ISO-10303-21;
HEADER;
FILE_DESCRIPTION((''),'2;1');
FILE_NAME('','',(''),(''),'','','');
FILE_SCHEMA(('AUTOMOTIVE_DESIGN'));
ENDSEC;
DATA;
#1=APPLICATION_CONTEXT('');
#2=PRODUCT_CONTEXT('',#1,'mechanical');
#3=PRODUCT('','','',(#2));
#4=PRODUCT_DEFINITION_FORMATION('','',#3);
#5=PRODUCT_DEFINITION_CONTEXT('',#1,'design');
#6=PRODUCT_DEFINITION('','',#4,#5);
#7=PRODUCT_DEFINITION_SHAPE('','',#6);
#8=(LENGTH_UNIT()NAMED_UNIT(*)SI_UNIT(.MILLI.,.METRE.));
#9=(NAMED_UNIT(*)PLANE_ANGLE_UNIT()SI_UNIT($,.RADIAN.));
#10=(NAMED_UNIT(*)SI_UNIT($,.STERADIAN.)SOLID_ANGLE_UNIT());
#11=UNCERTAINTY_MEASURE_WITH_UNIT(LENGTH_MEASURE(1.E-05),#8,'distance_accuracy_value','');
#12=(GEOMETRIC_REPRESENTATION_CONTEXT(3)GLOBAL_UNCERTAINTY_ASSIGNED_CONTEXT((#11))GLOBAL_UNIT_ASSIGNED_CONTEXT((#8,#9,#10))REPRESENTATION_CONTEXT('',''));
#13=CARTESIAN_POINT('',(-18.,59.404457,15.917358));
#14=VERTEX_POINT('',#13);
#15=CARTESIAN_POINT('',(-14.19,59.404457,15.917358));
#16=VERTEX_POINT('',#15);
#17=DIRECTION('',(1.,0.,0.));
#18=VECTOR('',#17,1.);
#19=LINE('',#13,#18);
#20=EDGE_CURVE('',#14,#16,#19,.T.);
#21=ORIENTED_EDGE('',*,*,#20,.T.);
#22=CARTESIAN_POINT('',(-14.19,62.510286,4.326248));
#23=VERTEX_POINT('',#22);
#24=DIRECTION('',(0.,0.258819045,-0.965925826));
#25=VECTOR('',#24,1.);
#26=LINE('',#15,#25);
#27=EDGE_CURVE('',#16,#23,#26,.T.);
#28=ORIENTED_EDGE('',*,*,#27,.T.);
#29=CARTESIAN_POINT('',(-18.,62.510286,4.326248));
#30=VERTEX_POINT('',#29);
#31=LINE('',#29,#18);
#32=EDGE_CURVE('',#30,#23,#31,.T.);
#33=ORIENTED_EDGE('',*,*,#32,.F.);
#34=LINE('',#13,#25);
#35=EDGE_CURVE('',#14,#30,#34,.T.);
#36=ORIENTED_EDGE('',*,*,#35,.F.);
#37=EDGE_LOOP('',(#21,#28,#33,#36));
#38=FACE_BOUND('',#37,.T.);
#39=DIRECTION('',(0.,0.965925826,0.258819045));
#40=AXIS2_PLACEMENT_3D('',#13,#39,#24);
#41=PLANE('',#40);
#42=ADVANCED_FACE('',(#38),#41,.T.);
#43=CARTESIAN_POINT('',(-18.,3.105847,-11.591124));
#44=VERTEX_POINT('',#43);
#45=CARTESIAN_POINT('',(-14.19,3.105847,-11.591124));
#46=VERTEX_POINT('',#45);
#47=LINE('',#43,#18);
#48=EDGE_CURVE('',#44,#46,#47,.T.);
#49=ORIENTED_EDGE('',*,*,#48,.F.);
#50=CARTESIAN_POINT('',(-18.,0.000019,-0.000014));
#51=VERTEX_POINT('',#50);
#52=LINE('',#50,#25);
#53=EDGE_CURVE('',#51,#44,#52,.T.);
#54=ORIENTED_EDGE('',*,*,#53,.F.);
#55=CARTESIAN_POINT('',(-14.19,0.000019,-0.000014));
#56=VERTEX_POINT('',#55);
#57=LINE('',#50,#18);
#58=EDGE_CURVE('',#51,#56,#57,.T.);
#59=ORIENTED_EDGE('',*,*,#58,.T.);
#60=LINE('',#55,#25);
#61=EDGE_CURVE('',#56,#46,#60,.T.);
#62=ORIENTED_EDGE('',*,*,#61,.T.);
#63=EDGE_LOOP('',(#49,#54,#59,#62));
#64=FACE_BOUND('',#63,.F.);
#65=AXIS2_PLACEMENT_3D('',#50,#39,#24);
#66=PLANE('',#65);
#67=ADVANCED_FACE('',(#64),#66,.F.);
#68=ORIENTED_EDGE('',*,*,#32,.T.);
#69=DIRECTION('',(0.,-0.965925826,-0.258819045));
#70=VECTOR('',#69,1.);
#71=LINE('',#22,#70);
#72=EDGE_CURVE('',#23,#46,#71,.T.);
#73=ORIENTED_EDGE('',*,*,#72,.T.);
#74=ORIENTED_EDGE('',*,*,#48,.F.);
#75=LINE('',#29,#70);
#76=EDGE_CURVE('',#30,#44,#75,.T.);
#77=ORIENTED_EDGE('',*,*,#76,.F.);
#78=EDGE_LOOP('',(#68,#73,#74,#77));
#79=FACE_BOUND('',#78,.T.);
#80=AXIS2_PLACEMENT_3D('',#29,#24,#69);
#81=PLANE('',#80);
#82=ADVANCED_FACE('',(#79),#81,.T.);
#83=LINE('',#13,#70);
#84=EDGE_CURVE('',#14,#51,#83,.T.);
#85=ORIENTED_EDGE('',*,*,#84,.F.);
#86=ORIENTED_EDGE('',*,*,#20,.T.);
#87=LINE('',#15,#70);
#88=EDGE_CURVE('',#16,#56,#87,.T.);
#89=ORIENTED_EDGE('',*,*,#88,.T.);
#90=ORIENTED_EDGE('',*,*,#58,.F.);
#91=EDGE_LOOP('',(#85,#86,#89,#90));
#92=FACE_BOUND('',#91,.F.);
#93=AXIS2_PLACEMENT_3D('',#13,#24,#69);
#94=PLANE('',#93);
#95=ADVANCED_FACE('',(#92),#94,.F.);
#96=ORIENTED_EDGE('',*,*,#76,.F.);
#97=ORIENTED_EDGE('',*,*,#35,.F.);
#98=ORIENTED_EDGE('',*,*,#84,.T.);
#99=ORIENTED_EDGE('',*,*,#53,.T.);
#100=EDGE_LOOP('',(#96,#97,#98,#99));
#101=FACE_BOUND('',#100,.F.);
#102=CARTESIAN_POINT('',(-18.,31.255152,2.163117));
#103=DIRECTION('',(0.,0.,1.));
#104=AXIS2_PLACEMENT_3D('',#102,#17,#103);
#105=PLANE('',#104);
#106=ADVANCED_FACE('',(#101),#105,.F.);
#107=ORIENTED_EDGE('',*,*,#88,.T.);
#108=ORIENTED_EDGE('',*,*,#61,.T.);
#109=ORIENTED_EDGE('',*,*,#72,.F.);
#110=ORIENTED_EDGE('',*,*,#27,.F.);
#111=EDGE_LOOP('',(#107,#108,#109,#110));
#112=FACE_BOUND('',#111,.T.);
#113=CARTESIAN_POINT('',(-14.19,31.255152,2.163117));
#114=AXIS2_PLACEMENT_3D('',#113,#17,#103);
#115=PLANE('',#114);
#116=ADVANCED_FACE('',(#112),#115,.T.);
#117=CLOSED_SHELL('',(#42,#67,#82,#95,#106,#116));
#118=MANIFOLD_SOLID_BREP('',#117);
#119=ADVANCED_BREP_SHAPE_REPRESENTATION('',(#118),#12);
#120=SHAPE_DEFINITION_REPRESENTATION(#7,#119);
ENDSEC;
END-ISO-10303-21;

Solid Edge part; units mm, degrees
sketch "Sketch1" plane through (-18, 28.823, 2.5467) normal (1, 0, 0) x (0, 0.9659, 0.2588)
  line L0 (33, 5) -> (-28.5, 5)
  line L1 (-28.5, 5) -> (-28.5, -7)
  line L2 (33, -7) -> (-28.5, -7)
  line L3 (33, 5) -> (33, -7)
extrude "Protrusion1" add sketch "Sketch1" along normal up to vertex (3.81 mm away)
